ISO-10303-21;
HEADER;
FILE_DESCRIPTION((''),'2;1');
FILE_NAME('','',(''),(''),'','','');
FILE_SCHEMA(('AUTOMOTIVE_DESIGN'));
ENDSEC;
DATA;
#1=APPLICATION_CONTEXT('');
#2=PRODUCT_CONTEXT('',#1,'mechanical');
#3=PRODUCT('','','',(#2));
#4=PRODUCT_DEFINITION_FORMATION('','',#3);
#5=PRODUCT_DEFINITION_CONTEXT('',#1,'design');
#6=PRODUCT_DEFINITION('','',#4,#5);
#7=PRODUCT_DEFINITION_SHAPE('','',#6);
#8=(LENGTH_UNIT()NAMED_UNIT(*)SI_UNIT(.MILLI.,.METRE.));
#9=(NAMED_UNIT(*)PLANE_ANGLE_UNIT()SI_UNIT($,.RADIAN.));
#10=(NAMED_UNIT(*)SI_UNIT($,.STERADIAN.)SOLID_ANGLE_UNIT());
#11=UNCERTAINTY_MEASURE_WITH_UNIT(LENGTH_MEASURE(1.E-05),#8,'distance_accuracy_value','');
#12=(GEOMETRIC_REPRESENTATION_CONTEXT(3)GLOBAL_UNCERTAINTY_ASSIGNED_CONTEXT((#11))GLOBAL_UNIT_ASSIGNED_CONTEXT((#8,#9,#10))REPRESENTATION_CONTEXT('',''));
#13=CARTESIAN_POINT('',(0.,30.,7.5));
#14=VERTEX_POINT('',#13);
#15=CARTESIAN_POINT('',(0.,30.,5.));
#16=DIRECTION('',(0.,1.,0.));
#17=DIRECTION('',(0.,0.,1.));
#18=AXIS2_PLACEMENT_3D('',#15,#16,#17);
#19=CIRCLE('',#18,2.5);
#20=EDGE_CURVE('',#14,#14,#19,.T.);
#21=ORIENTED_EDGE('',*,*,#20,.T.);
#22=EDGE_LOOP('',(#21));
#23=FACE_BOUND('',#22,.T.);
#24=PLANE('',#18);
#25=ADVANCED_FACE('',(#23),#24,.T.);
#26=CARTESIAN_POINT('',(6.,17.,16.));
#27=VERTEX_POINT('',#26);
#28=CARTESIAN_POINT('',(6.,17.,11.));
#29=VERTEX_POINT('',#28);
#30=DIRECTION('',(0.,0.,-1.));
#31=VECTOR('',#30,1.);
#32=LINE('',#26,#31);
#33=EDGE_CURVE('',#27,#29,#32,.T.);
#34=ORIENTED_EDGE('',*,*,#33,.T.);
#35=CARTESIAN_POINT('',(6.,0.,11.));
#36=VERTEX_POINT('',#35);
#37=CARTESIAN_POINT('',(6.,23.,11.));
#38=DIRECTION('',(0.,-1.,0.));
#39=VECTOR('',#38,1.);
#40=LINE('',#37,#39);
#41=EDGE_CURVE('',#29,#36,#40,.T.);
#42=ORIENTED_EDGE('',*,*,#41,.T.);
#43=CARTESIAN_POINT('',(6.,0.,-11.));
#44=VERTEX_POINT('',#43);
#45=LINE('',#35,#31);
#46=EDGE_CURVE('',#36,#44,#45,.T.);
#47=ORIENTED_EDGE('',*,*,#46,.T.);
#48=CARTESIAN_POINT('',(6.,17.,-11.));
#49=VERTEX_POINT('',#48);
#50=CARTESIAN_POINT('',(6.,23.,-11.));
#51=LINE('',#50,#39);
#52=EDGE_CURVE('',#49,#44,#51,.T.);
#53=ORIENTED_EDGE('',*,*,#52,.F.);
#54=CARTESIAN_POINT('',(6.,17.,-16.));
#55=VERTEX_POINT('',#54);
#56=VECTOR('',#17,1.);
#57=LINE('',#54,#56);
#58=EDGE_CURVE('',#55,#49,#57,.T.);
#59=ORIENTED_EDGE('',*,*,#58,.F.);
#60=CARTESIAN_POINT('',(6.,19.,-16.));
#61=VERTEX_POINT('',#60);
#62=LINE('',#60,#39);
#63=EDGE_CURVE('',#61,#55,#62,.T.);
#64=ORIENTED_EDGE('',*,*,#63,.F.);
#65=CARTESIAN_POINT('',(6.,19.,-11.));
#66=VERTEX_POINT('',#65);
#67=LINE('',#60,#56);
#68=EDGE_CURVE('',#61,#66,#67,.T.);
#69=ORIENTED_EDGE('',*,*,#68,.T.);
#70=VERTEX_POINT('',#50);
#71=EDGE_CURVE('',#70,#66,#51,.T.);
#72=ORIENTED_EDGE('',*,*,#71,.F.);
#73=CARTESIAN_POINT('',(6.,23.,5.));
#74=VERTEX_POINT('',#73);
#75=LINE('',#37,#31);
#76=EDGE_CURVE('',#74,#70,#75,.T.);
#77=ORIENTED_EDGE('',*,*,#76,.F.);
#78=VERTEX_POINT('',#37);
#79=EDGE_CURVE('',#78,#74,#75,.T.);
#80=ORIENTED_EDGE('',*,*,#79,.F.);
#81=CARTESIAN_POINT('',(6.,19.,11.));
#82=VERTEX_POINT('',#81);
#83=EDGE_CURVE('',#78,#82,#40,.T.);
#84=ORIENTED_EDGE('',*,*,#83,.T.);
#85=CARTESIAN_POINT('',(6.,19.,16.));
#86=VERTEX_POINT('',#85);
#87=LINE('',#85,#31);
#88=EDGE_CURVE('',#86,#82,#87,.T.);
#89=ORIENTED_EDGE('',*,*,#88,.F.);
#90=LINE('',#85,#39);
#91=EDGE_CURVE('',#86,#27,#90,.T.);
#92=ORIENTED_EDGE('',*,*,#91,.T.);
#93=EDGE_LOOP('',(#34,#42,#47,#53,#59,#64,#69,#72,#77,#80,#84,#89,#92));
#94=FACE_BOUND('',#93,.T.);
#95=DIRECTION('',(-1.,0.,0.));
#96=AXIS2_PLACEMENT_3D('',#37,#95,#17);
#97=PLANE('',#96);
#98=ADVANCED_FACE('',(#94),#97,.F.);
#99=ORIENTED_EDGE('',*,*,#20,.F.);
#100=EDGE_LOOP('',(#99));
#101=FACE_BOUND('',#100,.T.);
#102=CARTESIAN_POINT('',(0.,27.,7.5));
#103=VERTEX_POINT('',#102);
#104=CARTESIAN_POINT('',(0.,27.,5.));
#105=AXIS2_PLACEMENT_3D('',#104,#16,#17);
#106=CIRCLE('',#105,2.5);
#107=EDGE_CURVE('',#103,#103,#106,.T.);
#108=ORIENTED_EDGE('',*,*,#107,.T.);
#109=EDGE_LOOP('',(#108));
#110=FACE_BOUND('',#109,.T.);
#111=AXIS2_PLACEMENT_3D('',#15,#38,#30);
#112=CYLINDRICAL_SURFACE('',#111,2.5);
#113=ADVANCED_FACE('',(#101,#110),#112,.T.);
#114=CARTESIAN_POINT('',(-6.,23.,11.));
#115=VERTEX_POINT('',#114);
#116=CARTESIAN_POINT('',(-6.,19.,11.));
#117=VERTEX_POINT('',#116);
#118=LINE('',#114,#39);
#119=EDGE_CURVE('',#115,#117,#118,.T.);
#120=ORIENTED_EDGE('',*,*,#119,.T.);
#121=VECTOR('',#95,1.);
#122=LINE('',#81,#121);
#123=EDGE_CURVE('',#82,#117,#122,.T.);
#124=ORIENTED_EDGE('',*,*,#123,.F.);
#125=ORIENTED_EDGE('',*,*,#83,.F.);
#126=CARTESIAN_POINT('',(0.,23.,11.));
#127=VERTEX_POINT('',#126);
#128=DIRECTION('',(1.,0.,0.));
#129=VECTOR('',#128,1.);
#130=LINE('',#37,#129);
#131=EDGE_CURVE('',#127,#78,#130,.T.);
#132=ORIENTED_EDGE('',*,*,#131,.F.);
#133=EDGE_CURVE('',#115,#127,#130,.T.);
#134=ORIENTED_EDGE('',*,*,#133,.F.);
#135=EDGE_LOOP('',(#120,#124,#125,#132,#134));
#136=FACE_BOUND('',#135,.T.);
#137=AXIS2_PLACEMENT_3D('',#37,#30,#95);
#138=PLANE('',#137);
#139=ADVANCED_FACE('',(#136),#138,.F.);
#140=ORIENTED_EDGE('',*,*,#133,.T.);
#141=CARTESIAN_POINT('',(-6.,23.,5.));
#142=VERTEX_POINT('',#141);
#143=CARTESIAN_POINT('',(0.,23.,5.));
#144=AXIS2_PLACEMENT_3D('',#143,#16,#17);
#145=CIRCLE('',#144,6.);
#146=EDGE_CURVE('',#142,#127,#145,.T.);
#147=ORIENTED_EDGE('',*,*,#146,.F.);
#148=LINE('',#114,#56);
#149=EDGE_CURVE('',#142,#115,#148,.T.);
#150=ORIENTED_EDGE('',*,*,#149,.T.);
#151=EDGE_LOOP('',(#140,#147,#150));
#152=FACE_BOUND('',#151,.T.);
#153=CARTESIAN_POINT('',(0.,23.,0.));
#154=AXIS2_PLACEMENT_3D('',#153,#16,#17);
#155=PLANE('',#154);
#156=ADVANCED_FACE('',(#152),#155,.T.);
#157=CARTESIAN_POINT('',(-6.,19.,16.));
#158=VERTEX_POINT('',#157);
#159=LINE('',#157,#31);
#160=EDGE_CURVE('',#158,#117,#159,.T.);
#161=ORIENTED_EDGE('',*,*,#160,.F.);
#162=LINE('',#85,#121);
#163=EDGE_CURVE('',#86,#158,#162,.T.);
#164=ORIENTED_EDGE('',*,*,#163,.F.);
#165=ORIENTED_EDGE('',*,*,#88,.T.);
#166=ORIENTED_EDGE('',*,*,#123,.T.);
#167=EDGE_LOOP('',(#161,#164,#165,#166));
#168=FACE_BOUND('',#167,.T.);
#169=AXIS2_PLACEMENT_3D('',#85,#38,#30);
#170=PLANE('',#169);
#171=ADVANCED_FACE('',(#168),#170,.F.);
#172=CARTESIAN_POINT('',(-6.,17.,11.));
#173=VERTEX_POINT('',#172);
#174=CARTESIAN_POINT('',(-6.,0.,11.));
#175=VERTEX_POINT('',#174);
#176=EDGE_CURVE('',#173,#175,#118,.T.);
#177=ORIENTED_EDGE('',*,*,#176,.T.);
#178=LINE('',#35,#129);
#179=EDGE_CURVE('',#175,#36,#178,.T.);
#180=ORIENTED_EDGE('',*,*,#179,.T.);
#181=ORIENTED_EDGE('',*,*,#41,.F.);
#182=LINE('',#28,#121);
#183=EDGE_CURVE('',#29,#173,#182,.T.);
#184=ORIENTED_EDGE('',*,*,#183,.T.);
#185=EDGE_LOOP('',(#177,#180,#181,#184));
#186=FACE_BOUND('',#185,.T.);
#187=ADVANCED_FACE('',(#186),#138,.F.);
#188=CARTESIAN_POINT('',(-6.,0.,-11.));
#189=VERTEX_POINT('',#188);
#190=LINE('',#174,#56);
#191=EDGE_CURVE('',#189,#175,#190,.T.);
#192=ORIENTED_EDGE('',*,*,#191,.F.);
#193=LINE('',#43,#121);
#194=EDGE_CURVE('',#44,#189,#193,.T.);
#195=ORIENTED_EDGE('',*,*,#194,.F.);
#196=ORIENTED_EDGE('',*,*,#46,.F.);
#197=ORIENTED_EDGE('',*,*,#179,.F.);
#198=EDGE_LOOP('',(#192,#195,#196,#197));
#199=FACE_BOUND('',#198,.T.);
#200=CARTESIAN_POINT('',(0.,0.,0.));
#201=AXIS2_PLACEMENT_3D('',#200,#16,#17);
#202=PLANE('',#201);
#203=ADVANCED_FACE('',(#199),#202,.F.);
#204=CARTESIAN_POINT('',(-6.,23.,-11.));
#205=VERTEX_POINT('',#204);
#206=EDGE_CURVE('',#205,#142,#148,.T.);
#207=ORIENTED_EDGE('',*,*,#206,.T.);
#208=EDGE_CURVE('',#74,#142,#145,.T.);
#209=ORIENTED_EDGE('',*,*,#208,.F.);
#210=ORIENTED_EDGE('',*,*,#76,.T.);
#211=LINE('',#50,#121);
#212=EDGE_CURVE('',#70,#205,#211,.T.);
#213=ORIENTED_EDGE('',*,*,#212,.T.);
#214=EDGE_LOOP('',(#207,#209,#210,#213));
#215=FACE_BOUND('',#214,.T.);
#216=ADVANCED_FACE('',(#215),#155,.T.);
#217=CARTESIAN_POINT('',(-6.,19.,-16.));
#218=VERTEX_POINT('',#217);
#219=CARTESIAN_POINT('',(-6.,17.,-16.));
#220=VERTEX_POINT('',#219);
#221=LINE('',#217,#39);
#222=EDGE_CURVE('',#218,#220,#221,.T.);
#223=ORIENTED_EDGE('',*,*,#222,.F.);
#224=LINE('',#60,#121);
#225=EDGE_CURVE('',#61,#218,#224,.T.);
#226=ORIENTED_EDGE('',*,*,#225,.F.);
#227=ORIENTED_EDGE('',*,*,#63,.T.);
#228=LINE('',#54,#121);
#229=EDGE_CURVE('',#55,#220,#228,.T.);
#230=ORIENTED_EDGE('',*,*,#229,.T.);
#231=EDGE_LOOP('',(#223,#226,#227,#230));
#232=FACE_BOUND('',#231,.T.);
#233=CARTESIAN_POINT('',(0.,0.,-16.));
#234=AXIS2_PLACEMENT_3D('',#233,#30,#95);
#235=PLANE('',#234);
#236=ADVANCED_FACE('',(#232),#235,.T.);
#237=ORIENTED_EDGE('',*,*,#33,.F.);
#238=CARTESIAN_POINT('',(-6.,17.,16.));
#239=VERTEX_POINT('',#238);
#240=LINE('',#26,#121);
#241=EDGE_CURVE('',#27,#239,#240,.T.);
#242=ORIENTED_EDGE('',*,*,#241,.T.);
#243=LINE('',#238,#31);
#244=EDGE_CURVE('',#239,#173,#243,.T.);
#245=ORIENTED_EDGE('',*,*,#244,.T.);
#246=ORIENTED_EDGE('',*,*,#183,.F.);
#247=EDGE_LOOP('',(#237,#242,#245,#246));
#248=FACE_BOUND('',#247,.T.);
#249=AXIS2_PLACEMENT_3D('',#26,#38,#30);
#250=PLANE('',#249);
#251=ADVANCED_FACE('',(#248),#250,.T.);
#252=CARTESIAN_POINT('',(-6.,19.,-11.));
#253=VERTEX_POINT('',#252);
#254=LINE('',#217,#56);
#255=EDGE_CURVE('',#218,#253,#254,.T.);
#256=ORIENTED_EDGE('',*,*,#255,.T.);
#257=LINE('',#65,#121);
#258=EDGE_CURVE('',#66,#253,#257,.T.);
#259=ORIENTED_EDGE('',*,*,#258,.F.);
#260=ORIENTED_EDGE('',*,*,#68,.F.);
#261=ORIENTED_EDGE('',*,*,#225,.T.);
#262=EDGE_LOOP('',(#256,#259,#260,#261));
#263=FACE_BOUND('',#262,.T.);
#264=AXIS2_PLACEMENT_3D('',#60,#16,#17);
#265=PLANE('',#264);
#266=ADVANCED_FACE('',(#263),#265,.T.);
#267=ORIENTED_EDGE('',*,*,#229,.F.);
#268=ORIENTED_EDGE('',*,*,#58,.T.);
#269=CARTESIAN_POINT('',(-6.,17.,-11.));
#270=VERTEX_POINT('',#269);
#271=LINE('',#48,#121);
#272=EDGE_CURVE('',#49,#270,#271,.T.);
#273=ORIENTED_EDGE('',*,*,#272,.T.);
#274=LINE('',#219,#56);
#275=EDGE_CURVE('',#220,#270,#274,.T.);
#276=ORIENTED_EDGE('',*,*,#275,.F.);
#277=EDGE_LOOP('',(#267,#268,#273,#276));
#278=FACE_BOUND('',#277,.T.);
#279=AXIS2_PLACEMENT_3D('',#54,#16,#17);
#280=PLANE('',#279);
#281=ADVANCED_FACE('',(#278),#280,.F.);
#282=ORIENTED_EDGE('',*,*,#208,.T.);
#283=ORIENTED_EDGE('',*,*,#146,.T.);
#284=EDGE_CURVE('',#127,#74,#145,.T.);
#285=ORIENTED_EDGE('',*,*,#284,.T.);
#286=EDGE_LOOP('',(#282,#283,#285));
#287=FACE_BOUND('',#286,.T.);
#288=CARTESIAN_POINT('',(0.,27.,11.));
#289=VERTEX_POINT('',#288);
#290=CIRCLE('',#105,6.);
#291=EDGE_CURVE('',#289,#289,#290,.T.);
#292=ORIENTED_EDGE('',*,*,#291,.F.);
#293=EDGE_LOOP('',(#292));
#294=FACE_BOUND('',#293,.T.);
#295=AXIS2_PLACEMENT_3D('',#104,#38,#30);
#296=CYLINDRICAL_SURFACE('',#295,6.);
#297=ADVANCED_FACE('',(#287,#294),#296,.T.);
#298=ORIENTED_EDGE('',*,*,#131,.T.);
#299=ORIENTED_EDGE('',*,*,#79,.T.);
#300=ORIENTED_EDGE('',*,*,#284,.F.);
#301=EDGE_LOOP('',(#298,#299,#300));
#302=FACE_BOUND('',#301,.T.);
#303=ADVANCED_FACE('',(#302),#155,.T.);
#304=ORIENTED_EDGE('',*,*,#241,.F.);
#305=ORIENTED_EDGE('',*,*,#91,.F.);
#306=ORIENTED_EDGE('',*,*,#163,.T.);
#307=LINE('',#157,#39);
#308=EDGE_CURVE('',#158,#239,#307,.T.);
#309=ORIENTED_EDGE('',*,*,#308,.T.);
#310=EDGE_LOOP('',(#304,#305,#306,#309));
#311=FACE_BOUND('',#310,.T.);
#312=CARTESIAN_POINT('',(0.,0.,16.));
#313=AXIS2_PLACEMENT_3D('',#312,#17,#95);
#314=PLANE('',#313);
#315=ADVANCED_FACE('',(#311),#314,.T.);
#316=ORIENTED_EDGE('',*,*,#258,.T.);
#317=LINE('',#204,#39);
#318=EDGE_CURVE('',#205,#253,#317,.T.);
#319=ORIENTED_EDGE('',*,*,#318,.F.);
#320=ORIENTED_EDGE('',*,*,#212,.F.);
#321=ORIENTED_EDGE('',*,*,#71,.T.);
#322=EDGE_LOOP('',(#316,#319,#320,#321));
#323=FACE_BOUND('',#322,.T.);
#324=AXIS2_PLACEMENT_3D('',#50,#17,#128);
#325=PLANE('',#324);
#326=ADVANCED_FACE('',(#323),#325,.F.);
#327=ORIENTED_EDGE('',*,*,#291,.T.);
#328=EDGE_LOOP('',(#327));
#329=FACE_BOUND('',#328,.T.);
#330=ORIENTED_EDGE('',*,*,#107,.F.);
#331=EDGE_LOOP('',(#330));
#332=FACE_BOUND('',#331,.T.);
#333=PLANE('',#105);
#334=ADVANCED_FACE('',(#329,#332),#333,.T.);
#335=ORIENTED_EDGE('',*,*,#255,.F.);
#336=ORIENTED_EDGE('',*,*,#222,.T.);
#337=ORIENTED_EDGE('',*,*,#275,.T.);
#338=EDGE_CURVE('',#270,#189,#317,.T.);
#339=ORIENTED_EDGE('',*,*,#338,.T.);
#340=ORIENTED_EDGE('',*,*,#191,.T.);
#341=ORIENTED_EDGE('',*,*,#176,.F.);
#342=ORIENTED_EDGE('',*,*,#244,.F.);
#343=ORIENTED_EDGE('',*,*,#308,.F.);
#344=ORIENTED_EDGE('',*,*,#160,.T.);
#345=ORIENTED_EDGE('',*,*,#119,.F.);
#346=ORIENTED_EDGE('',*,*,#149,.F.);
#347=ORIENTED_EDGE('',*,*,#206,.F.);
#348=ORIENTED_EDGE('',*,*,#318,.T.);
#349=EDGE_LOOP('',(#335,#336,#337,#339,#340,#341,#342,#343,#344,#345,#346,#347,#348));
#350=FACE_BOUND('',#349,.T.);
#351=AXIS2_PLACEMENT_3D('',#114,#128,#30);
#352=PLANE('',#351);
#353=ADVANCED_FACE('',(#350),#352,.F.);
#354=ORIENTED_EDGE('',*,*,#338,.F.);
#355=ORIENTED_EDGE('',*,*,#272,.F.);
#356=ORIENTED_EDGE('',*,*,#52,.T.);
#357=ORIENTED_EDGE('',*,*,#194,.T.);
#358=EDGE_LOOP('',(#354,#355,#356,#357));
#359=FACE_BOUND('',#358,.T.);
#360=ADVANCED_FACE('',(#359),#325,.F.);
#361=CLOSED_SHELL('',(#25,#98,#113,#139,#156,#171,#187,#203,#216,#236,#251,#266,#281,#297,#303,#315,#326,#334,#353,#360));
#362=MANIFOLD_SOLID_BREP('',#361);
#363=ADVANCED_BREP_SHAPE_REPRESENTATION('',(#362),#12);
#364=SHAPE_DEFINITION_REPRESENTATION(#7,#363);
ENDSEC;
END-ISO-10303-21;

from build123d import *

# Parameters (mm, degrees)
SKETCH1_W           = 12
SKETCH1_H           = 22
BOSS_EXTRUDE1_DEPTH = 23
SKETCH3_W           = 12
SKETCH3_H           = 2
BOSS_EXTRUDE3_DEPTH = 5
SKETCH2_R           = 6
BOSS_EXTRUDE4_DEPTH = 4
SKETCH4_R           = 2.5
BOSS_EXTRUDE5_DEPTH = 3


with BuildPart() as part:
    # Sketch1 → Boss-Extrude1 (new body)
    with BuildSketch(Plane(origin=(0, 0, 0), x_dir=(1, 0, 0), z_dir=(0, 1, 0))):
        Rectangle(SKETCH1_W, SKETCH1_H)
    extrude(amount=BOSS_EXTRUDE1_DEPTH)

    # Sketch3 → Boss-Extrude3 (add)
    with BuildSketch(Plane(origin=(0, 0, -11), x_dir=(-1, 0, 0), z_dir=(0, 0, -1))):
        with Locations((0, 18)):
            Rectangle(SKETCH3_W, SKETCH3_H)
    boss_extrude3 = extrude(amount=BOSS_EXTRUDE3_DEPTH)

    # Mirror1: Boss-Extrude3 across plane
    add(boss_extrude3.mirror(Plane.XY))

    # Sketch2 → Boss-Extrude4 (add)
    with BuildSketch(Plane(origin=(0, 23, 0), x_dir=(1, 0, 0), z_dir=(0, 1, 0))):
        with Locations(Location((0, -5, 0), (0, 0, 270))):
            Circle(SKETCH2_R)
    extrude(amount=BOSS_EXTRUDE4_DEPTH)

    # Sketch4 → Boss-Extrude5 (add)
    with BuildSketch(Plane(origin=(0, 27, 0), x_dir=(1, 0, 0), z_dir=(0, 1, 0))):
        with Locations(Location((0, -5, 0), (0, 0, 270))):
            Circle(SKETCH4_R)
    extrude(amount=BOSS_EXTRUDE5_DEPTH)


solid = part.part
